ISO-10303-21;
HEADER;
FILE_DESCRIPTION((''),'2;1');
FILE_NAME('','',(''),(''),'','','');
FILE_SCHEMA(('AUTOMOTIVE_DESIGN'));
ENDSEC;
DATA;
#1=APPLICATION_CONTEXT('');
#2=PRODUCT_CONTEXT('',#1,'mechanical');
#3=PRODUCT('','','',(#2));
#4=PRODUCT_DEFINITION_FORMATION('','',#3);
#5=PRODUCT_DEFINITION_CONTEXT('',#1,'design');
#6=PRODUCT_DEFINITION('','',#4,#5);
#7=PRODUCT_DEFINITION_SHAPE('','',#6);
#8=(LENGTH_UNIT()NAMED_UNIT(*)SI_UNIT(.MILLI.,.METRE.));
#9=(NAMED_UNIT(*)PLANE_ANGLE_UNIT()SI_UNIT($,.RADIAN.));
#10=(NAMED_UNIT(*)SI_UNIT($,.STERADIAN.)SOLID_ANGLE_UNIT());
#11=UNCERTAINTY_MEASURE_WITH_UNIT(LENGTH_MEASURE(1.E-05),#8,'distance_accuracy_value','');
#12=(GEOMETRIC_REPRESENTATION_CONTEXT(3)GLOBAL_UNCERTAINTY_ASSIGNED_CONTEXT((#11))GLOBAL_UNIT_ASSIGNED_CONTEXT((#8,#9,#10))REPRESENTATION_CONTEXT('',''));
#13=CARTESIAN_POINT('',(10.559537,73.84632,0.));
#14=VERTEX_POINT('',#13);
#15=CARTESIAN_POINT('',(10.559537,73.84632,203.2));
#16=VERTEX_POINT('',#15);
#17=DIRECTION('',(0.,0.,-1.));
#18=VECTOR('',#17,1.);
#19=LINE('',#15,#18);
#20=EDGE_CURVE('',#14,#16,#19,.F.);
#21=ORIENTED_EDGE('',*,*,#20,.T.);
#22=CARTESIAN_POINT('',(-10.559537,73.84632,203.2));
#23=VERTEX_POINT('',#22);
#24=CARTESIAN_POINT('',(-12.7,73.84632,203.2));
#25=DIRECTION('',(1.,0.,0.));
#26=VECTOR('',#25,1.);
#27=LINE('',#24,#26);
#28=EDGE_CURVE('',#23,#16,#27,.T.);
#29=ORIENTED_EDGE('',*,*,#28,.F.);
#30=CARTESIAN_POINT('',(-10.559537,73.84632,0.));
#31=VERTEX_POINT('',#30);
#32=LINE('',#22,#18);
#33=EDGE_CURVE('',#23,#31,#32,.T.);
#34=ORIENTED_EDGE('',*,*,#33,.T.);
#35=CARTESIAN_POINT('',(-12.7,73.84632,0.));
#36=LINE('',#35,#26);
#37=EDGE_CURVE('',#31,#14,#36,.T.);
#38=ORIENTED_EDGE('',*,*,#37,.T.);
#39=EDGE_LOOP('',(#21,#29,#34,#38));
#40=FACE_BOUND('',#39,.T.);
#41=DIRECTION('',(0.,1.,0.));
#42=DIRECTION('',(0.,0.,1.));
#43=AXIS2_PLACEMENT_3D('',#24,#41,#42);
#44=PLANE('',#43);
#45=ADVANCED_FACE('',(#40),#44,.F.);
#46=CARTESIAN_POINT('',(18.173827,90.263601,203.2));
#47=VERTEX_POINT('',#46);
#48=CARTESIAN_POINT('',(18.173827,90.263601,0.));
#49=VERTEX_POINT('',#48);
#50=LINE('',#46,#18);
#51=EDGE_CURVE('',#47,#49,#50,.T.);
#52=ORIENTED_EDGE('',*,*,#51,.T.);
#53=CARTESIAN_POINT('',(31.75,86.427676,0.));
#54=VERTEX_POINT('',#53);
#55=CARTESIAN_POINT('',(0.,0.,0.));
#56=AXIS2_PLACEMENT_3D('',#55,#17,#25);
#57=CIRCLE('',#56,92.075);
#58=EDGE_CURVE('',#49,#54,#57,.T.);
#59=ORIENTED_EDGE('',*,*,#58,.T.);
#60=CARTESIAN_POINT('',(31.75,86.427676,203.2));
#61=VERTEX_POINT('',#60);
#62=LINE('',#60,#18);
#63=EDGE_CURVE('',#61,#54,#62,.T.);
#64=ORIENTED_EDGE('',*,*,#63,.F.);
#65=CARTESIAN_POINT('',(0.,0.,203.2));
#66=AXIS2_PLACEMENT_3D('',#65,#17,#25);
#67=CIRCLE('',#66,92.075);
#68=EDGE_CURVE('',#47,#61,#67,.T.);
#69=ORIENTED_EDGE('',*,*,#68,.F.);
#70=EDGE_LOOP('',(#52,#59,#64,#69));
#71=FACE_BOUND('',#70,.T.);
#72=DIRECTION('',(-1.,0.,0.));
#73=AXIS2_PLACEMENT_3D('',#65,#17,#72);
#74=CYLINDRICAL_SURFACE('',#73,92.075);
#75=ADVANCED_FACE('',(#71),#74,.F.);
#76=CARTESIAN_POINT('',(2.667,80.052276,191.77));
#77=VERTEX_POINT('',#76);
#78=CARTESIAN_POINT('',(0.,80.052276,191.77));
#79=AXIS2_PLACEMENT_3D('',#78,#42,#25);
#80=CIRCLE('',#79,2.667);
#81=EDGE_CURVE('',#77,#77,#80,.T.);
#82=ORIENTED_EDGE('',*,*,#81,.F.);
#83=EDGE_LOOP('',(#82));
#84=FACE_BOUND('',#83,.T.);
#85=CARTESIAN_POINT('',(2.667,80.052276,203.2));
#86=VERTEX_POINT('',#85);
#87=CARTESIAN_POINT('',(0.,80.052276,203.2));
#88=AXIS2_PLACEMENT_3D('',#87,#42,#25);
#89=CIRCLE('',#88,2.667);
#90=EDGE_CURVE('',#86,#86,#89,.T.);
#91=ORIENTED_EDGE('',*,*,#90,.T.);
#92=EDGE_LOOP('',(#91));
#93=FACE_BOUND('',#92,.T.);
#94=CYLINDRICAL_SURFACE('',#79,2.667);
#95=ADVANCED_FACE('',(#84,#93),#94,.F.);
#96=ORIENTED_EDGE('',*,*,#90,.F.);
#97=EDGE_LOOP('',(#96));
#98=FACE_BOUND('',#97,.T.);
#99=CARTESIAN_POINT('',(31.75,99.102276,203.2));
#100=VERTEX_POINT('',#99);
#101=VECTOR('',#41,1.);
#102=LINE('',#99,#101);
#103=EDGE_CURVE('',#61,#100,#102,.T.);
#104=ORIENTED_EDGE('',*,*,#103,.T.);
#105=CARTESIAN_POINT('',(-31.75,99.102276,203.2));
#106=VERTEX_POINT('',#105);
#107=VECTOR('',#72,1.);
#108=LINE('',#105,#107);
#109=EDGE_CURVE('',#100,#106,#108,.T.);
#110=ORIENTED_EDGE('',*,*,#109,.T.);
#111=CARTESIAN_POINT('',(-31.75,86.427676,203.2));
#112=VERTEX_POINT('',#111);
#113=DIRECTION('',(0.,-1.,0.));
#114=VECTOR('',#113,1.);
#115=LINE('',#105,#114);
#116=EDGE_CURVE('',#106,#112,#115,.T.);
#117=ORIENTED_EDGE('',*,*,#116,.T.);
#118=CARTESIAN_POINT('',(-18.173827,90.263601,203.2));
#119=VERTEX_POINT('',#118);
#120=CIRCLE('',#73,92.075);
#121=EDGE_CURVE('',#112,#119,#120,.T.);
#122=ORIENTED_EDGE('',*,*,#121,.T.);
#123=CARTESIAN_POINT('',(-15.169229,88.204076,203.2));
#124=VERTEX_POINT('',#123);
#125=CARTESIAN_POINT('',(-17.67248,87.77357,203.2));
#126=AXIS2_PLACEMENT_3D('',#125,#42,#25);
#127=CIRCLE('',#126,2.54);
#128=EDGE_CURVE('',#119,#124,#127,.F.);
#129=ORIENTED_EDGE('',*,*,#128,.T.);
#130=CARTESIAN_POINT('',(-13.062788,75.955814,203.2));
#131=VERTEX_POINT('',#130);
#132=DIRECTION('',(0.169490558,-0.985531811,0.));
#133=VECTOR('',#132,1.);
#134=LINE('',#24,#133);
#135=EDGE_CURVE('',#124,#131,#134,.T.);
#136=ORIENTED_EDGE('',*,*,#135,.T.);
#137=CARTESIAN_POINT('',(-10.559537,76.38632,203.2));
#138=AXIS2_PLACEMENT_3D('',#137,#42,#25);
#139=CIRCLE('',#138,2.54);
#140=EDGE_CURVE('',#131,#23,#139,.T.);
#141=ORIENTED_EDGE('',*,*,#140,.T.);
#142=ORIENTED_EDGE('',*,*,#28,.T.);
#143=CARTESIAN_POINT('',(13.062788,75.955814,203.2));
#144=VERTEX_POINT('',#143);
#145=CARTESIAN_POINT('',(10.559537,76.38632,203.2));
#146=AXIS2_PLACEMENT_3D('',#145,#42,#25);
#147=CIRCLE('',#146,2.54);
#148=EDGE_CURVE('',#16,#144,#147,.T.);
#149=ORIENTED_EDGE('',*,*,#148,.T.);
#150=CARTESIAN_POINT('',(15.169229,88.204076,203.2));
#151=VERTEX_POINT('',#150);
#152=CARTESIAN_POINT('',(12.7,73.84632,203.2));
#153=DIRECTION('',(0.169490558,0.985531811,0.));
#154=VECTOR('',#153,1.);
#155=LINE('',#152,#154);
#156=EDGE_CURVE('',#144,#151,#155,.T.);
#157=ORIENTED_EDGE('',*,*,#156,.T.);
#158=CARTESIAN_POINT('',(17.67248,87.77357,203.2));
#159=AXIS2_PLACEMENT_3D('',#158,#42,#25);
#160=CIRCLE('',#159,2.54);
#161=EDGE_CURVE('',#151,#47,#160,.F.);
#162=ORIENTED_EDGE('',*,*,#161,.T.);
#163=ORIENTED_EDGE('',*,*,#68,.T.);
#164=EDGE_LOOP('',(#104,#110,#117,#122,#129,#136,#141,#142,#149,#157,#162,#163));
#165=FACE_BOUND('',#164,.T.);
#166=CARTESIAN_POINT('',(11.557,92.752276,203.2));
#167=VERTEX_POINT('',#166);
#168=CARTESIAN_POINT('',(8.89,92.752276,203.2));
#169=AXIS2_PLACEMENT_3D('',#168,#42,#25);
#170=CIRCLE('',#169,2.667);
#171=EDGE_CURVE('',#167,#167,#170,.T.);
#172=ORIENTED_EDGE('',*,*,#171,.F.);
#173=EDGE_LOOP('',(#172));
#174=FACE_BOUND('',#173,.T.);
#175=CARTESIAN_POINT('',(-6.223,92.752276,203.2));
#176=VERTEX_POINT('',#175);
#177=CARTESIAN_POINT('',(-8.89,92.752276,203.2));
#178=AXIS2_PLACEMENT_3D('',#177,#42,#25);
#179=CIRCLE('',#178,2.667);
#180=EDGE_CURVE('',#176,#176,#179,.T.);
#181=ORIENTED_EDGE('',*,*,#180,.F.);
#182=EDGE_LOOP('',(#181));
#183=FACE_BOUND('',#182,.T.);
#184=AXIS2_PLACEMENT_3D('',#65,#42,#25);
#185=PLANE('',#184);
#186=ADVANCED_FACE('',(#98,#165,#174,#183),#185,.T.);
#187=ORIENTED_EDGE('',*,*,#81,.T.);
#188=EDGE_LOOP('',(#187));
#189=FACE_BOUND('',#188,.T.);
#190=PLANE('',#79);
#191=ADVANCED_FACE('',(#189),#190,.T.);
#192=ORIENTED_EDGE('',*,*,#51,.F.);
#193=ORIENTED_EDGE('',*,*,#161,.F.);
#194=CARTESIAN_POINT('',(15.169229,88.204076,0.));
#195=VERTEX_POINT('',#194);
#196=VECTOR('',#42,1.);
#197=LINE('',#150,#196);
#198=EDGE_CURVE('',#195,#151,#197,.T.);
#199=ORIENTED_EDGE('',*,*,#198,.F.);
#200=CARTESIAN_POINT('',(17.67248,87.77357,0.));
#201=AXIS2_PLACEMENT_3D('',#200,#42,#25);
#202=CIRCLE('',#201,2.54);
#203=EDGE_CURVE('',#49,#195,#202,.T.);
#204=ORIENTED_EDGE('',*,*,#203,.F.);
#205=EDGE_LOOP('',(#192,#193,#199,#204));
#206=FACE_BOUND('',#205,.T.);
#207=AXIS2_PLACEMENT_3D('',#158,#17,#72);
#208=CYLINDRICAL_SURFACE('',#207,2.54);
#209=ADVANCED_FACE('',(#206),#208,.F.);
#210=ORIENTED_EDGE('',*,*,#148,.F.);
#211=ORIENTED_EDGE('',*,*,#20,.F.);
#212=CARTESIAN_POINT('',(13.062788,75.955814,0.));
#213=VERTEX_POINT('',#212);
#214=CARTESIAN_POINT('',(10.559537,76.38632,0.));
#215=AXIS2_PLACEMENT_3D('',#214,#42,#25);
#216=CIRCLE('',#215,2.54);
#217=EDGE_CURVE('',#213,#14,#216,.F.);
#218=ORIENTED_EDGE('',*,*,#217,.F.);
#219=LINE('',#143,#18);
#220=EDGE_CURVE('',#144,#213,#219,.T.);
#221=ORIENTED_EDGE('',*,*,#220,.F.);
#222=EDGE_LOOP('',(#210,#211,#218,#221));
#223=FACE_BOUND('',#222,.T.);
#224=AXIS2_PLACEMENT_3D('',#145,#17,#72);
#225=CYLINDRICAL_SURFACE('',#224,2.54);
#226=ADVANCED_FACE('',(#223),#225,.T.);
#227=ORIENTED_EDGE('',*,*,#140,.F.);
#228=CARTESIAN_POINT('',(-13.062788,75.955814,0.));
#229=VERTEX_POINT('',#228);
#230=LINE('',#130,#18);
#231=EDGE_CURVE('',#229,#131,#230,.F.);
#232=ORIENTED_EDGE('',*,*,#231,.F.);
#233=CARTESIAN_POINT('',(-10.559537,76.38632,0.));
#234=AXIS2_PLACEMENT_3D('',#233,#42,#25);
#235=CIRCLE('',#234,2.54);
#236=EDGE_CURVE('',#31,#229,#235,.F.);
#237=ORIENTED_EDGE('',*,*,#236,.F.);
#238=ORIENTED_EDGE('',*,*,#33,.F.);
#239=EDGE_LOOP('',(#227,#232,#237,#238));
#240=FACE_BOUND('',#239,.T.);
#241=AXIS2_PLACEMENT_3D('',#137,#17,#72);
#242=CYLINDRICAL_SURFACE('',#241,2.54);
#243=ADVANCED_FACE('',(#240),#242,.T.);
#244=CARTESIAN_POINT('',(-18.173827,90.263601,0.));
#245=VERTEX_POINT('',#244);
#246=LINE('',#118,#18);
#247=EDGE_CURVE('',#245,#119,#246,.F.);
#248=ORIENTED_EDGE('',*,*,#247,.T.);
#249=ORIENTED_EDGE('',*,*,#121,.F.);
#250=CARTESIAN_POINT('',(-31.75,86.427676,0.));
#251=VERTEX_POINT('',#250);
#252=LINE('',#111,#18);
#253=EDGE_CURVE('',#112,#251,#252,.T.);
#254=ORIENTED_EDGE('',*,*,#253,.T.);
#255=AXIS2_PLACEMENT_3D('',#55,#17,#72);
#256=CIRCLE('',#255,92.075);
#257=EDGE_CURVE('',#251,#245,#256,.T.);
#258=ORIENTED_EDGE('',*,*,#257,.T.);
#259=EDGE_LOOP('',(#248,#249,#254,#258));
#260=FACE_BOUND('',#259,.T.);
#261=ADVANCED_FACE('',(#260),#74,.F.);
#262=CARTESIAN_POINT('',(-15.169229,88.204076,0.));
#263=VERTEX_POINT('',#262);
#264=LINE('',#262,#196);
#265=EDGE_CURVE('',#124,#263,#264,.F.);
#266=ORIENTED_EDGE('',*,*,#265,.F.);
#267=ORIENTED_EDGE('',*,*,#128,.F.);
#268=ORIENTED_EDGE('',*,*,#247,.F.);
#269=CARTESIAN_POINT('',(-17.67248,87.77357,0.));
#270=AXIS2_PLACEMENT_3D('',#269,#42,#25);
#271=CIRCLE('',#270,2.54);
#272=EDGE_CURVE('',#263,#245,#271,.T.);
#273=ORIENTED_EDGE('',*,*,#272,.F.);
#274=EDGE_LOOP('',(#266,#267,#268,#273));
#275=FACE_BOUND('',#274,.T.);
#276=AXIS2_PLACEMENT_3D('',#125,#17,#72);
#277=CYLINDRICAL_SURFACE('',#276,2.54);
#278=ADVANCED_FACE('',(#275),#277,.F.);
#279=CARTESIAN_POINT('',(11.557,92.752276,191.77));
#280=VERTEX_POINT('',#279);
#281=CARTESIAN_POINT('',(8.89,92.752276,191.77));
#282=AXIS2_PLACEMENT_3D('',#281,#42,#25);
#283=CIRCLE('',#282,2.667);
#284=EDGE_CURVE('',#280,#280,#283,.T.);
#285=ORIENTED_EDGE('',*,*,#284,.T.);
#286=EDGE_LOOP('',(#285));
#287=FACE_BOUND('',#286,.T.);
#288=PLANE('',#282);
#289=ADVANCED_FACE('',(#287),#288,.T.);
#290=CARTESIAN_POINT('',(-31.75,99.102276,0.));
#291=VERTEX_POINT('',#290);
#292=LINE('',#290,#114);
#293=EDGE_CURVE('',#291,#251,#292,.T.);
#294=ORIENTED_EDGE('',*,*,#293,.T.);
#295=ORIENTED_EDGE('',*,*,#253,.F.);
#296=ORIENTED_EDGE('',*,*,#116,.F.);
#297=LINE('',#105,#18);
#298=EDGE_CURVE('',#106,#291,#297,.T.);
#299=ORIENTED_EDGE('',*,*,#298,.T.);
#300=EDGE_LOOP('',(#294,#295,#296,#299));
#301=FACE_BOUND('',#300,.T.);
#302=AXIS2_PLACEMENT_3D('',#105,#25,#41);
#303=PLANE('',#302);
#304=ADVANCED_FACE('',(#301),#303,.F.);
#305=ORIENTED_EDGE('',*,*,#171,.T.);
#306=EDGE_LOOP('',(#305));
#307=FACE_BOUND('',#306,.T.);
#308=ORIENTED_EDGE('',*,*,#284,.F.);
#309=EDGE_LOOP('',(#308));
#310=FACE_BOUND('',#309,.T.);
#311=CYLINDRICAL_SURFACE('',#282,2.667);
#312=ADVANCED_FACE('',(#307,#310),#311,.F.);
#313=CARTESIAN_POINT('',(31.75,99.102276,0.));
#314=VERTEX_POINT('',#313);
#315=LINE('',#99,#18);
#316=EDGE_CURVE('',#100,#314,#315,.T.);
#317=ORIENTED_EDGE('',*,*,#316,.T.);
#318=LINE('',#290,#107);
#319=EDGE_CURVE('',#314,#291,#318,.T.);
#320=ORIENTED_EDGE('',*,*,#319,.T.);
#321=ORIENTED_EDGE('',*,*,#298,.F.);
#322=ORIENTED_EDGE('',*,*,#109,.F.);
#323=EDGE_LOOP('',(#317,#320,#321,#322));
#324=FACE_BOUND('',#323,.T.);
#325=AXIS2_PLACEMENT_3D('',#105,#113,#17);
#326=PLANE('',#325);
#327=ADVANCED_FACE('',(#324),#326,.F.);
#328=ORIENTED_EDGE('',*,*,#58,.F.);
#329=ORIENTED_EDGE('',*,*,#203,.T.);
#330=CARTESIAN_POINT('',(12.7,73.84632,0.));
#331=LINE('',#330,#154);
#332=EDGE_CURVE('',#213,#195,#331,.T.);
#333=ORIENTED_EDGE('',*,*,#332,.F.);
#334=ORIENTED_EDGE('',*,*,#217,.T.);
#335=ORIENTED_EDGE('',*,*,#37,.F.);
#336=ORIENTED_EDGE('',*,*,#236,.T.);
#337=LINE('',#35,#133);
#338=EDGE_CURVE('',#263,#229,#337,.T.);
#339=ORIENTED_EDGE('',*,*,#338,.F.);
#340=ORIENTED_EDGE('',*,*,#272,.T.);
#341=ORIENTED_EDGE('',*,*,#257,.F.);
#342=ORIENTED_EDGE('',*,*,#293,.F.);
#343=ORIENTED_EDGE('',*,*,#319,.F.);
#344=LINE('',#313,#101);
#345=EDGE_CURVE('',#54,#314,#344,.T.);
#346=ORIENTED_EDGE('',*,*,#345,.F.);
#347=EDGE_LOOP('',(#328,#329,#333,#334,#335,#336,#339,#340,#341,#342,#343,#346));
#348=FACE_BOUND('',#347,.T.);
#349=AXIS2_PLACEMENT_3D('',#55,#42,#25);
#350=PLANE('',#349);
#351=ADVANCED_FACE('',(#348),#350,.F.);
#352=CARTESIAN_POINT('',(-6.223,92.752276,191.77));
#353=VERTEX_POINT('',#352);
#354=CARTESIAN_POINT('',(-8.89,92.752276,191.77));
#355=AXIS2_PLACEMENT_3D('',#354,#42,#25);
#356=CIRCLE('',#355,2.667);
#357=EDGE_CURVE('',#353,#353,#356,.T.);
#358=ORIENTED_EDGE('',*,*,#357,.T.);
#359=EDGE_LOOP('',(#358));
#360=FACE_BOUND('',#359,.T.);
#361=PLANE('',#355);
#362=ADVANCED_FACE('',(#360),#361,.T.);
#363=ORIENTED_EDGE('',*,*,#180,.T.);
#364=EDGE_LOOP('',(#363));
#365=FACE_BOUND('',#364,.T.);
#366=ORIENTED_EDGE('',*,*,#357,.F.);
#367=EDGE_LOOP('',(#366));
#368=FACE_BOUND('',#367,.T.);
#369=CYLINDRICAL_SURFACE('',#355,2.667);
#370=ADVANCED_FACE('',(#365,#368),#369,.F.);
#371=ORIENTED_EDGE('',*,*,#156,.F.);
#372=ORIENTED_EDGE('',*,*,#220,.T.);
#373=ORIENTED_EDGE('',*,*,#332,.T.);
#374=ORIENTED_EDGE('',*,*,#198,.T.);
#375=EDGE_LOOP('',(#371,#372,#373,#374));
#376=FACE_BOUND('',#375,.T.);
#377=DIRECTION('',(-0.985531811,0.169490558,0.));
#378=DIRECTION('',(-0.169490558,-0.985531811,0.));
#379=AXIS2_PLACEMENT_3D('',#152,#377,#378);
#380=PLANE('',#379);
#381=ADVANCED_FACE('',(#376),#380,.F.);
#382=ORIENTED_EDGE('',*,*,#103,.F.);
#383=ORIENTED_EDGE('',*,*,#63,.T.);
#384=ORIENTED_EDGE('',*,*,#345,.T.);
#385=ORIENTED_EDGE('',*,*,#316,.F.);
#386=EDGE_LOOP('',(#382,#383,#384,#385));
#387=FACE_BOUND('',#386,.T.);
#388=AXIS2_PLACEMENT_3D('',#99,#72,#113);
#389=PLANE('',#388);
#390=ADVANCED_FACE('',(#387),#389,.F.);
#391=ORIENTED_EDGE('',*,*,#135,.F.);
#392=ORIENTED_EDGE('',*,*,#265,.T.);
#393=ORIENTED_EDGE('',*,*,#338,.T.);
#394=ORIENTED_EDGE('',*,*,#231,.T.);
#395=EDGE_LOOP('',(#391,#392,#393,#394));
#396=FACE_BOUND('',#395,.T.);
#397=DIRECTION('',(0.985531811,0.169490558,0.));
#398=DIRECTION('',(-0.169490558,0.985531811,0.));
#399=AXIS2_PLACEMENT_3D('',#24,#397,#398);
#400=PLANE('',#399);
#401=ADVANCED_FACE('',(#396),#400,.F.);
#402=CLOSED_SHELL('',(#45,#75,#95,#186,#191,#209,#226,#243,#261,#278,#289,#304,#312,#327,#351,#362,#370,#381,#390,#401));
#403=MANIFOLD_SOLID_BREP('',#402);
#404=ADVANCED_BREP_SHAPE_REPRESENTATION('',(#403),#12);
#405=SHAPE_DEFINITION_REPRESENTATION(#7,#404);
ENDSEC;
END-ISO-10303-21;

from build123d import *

# Parameters (mm, degrees)
BOSS_EXTRUDE1_DEPTH = 203.2
FILLET1_R           = 2.54
SKETCH2_R           = 2.667
CUT_EXTRUDE1_DEPTH  = 11.43


with BuildPart() as part:
    # Sketch1 → Boss-Extrude1 (new body)
    with BuildSketch(Plane.XY):
        with BuildLine():
            Line((-12.7, 73.846320157), (12.7, 73.846320157))
            Line((12.7, 73.846320157), (15.605843118, 90.742841512))
            ThreePointArc((15.605843118, 90.742841512), (23.776020133, 88.952270863), (31.75, 86.427675689))
            Line((31.75, 86.427675689), (31.75, 99.102275689))
            Line((31.75, 99.102275689), (-31.75, 99.102275689))
            Line((-31.75, 99.102275689), (-31.75, 86.427675689))
            ThreePointArc((-31.75, 86.427675689), (-23.776020133, 88.952270863), (-15.605843118, 90.742841512))
            Line((-15.605843118, 90.742841512), (-12.7, 73.846320157))
        make_face()
    extrude(amount=BOSS_EXTRUDE1_DEPTH)

    # Fillet1
    fillet1_edges = [part.edges().sort_by_distance(p)[0] for p in [
        (12.7, 73.846320157, 101.6),
        (-12.7, 73.846320157, 101.6),
        (-15.605843118, 90.742841512, 101.6),
        (15.605843118, 90.742841512, 101.6),
    ]]
    fillet(fillet1_edges, radius=FILLET1_R)

    # Sketch2 → Cut-Extrude1 (cut)
    with BuildSketch(Plane.XY.offset(203.2)):
        with Locations((-8.89, 92.752275689)):
            Circle(SKETCH2_R)
        with Locations((8.89, 92.752275689)):
            Circle(SKETCH2_R)
        with Locations((0, 80.052275689)):
            Circle(SKETCH2_R)
    extrude(amount=-CUT_EXTRUDE1_DEPTH, mode=Mode.SUBTRACT)


solid = part.part
